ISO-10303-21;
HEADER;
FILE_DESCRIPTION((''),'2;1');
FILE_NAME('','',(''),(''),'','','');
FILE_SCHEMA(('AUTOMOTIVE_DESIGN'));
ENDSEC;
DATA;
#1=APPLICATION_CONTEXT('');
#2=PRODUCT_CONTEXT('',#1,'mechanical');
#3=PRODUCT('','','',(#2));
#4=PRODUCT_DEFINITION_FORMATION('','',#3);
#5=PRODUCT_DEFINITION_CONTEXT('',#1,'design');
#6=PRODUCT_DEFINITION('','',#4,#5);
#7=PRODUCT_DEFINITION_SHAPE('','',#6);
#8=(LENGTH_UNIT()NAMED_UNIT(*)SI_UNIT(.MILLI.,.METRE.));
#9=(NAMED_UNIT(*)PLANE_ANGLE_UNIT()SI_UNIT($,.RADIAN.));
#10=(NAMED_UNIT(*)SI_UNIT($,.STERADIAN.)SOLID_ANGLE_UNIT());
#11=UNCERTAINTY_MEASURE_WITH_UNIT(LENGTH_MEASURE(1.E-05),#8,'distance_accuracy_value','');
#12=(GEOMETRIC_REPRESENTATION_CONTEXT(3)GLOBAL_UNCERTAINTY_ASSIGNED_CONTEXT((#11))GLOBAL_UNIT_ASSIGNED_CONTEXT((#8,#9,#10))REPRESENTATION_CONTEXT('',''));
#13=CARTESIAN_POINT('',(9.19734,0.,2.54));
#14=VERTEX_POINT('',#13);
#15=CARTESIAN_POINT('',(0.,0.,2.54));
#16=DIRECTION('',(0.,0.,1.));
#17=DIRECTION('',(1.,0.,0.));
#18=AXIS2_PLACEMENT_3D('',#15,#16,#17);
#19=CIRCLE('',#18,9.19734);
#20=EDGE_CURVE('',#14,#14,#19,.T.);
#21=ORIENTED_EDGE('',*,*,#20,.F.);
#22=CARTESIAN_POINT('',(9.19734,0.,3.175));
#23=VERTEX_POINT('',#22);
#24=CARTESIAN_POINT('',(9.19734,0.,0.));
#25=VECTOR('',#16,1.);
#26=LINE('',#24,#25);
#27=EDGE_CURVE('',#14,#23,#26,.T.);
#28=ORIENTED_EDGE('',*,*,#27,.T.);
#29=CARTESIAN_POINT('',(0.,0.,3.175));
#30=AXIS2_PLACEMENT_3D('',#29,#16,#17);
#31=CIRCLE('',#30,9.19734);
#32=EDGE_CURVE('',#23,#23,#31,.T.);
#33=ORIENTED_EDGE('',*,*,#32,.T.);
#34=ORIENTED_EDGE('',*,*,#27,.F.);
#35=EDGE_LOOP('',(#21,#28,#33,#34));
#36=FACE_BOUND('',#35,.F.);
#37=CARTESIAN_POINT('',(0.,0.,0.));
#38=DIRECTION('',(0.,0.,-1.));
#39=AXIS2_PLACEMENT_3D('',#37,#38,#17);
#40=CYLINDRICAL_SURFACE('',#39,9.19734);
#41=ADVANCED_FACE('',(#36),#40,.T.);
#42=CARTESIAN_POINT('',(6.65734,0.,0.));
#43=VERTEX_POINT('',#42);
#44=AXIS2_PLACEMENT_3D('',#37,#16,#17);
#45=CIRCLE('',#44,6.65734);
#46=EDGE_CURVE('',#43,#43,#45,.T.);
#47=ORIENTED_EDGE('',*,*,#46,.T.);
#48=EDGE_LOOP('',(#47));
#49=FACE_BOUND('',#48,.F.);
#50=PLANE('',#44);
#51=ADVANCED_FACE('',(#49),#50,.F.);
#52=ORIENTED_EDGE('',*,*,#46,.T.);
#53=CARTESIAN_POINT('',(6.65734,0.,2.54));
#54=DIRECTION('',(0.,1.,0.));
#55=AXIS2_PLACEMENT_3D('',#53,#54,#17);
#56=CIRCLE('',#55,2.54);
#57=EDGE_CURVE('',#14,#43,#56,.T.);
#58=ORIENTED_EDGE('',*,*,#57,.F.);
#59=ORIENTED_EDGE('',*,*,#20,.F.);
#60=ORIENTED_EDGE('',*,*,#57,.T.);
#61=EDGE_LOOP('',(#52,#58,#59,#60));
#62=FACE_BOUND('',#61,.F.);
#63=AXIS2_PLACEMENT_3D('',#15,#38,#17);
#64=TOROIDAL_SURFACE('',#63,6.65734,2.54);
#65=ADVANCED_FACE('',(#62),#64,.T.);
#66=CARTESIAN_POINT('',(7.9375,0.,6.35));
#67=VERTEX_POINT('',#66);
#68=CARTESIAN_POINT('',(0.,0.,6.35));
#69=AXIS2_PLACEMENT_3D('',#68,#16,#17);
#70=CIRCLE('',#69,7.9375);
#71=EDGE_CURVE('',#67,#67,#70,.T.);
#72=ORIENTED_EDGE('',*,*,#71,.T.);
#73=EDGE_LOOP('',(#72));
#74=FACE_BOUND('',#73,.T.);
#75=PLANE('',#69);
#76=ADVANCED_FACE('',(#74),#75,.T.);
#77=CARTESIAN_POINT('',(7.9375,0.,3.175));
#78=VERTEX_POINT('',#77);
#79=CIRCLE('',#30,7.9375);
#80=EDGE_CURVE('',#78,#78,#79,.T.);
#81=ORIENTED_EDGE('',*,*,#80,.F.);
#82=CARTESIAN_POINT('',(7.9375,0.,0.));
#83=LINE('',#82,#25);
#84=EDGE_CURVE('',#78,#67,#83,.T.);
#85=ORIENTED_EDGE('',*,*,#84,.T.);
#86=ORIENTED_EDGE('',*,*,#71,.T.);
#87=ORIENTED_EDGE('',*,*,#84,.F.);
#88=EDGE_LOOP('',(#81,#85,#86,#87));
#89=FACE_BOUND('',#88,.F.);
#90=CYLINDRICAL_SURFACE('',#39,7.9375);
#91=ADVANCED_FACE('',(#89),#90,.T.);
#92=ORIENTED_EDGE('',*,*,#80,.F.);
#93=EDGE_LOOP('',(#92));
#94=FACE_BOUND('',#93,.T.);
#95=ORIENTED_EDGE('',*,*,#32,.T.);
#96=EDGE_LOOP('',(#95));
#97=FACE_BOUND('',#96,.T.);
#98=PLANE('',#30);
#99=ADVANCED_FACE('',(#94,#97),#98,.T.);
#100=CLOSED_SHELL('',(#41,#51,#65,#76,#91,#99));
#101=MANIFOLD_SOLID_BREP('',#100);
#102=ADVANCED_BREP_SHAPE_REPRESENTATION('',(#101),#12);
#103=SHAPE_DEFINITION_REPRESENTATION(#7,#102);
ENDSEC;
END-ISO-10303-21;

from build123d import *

# Parameters (mm, degrees)
F0_R     = 7.9375
F1_DEPTH = 6.35
F0_R_2   = 9.19734
F2_DEPTH = 3.175
F3_R     = 2.54


with BuildPart() as f1:
    # F0 (on Top) → F1 (new body)
    with BuildSketch(Plane.XY):
        Circle(F0_R)
    extrude(amount=F1_DEPTH)

    # F0 (on Top) → F2 (join)
    with BuildSketch(Plane.XY):
        Circle(F0_R_2)
        Circle(F0_R, mode=Mode.SUBTRACT)
    extrude(amount=F2_DEPTH)

    # F3
    f3_edges = [f1.edges().sort_by_distance(p)[0] for p in [
        (-9.19734, 0, 0),
    ]]
    fillet(f3_edges, radius=F3_R)


solid = f1.part
